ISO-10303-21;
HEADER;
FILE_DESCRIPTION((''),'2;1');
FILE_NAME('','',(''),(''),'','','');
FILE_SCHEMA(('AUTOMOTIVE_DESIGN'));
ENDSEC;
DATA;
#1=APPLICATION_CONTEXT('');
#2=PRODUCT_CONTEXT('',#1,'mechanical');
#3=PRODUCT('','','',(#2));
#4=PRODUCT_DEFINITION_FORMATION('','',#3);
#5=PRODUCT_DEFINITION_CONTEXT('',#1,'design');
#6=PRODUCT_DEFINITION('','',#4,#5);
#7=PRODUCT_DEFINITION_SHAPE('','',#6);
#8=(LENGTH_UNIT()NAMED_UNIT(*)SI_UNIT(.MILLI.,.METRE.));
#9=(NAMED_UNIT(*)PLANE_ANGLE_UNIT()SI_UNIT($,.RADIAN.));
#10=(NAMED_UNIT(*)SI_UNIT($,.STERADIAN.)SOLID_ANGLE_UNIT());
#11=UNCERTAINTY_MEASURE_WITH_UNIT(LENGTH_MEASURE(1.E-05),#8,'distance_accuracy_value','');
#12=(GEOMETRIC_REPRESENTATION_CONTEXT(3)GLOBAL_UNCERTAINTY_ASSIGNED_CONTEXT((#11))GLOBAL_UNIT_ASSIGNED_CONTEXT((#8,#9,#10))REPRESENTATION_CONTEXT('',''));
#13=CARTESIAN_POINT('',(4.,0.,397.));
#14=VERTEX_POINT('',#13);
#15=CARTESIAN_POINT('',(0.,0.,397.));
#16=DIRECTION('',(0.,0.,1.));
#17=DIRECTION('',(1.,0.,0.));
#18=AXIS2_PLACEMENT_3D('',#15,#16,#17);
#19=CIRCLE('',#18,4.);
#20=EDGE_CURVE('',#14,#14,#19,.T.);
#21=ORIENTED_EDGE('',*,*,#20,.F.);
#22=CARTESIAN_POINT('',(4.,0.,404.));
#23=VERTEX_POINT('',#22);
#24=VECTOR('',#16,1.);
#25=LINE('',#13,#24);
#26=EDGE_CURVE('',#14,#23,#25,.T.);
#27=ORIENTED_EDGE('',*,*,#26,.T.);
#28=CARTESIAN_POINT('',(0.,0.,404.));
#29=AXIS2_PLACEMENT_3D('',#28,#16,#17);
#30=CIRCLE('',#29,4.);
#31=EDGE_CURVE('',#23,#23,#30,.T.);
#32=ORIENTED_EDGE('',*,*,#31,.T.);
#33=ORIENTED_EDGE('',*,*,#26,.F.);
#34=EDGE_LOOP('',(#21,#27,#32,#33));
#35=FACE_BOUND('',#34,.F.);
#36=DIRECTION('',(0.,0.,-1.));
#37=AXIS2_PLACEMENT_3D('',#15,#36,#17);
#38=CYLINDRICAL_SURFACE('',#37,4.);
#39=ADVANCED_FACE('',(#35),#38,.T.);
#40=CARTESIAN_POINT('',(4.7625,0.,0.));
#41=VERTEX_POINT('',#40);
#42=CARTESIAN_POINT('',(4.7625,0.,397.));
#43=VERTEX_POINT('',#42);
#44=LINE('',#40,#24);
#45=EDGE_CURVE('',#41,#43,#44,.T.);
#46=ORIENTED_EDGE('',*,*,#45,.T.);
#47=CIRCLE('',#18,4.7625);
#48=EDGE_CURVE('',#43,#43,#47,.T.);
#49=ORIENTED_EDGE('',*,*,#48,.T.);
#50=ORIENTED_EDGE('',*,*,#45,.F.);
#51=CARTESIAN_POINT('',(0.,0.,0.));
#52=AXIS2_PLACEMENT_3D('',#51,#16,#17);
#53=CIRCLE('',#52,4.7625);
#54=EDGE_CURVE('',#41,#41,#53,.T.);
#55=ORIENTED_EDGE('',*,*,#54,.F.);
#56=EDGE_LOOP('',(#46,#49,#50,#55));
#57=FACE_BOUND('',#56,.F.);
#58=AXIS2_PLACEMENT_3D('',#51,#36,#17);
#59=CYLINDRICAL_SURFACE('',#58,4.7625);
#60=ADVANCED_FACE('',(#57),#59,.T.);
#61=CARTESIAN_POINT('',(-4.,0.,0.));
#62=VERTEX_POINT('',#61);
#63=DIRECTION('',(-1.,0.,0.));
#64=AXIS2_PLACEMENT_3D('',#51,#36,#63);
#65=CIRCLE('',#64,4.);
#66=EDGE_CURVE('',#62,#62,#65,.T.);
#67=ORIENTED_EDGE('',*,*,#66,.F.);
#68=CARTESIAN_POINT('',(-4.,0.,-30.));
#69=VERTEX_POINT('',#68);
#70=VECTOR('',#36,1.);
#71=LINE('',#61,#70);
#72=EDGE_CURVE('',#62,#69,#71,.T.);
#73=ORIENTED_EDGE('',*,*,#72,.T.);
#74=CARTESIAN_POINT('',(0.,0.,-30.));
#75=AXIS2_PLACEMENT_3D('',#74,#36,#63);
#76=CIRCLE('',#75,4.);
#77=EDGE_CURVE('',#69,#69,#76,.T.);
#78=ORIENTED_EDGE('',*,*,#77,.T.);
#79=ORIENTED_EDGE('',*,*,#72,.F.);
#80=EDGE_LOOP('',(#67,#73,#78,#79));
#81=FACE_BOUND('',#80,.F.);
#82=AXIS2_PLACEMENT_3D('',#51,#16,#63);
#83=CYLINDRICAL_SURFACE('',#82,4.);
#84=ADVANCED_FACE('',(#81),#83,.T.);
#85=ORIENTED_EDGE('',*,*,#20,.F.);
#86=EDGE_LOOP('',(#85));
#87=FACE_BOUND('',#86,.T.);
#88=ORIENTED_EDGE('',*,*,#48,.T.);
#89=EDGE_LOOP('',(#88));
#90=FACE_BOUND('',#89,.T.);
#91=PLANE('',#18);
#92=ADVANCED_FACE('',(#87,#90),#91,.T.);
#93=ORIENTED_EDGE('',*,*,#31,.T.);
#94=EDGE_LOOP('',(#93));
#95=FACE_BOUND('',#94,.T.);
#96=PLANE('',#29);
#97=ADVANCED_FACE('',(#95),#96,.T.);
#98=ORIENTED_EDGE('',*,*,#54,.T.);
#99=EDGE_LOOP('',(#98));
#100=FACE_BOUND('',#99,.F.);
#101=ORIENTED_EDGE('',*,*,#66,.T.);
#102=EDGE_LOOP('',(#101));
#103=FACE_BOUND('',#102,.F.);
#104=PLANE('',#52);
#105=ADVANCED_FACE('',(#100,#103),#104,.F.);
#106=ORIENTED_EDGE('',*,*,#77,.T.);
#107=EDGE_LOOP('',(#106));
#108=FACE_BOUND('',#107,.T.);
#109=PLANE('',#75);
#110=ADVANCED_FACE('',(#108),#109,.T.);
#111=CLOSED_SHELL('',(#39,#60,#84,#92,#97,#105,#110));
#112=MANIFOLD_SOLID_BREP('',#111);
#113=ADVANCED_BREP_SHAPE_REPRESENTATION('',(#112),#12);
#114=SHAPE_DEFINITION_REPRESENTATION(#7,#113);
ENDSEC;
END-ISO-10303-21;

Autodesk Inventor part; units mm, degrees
ref_plane "YZ Plane" through (0, 0, 0) normal (1, 0, 0) x (0, 1, 0)
ref_plane "XZ Plane" through (0, 0, 0) normal (0, 1, 0) x (-1, 0, 0)
ref_plane "XY Plane" through (0, 0, 0) normal (0, 0, 1) x (1, 0, 0)
sketch "Sketch1" plane through (0, 0, 0) normal (0, 0, 1) x (1, 0, 0)
  circle A0 centre (0, 0) radius 4.7625
  dimension "d0" = 9.525
extrude "Extrusion1" add sketch "Sketch1" along normal blind 397
sketch "Sketch2" plane through (0, 0, 397) normal (0, 0, 1) x (1, 0, 0)
  circle A0 centre (0, 0) radius 4.7625 projected
  circle A1 centre (0, 0) radius 4
  dimension "d3" = 8
extrude "Extrusion2" add sketch "Sketch2" along normal blind 7 contours A1
sketch "Sketch3" plane through (0, 0, 0) normal (0, 0, -1) x (-1, 0, 0)
  circle A0 centre (0, 0) radius 4.7625 projected
  circle A1 centre (0, 0) radius 4
  dimension "d6" = 8
extrude "Extrusion3" add sketch "Sketch3" along normal blind 30 contours A1
thread "Thread1" size "3/8-12" class "2B" standard "Inch Tapping Threads" full length
properties part number "x_acme_upgrade"
